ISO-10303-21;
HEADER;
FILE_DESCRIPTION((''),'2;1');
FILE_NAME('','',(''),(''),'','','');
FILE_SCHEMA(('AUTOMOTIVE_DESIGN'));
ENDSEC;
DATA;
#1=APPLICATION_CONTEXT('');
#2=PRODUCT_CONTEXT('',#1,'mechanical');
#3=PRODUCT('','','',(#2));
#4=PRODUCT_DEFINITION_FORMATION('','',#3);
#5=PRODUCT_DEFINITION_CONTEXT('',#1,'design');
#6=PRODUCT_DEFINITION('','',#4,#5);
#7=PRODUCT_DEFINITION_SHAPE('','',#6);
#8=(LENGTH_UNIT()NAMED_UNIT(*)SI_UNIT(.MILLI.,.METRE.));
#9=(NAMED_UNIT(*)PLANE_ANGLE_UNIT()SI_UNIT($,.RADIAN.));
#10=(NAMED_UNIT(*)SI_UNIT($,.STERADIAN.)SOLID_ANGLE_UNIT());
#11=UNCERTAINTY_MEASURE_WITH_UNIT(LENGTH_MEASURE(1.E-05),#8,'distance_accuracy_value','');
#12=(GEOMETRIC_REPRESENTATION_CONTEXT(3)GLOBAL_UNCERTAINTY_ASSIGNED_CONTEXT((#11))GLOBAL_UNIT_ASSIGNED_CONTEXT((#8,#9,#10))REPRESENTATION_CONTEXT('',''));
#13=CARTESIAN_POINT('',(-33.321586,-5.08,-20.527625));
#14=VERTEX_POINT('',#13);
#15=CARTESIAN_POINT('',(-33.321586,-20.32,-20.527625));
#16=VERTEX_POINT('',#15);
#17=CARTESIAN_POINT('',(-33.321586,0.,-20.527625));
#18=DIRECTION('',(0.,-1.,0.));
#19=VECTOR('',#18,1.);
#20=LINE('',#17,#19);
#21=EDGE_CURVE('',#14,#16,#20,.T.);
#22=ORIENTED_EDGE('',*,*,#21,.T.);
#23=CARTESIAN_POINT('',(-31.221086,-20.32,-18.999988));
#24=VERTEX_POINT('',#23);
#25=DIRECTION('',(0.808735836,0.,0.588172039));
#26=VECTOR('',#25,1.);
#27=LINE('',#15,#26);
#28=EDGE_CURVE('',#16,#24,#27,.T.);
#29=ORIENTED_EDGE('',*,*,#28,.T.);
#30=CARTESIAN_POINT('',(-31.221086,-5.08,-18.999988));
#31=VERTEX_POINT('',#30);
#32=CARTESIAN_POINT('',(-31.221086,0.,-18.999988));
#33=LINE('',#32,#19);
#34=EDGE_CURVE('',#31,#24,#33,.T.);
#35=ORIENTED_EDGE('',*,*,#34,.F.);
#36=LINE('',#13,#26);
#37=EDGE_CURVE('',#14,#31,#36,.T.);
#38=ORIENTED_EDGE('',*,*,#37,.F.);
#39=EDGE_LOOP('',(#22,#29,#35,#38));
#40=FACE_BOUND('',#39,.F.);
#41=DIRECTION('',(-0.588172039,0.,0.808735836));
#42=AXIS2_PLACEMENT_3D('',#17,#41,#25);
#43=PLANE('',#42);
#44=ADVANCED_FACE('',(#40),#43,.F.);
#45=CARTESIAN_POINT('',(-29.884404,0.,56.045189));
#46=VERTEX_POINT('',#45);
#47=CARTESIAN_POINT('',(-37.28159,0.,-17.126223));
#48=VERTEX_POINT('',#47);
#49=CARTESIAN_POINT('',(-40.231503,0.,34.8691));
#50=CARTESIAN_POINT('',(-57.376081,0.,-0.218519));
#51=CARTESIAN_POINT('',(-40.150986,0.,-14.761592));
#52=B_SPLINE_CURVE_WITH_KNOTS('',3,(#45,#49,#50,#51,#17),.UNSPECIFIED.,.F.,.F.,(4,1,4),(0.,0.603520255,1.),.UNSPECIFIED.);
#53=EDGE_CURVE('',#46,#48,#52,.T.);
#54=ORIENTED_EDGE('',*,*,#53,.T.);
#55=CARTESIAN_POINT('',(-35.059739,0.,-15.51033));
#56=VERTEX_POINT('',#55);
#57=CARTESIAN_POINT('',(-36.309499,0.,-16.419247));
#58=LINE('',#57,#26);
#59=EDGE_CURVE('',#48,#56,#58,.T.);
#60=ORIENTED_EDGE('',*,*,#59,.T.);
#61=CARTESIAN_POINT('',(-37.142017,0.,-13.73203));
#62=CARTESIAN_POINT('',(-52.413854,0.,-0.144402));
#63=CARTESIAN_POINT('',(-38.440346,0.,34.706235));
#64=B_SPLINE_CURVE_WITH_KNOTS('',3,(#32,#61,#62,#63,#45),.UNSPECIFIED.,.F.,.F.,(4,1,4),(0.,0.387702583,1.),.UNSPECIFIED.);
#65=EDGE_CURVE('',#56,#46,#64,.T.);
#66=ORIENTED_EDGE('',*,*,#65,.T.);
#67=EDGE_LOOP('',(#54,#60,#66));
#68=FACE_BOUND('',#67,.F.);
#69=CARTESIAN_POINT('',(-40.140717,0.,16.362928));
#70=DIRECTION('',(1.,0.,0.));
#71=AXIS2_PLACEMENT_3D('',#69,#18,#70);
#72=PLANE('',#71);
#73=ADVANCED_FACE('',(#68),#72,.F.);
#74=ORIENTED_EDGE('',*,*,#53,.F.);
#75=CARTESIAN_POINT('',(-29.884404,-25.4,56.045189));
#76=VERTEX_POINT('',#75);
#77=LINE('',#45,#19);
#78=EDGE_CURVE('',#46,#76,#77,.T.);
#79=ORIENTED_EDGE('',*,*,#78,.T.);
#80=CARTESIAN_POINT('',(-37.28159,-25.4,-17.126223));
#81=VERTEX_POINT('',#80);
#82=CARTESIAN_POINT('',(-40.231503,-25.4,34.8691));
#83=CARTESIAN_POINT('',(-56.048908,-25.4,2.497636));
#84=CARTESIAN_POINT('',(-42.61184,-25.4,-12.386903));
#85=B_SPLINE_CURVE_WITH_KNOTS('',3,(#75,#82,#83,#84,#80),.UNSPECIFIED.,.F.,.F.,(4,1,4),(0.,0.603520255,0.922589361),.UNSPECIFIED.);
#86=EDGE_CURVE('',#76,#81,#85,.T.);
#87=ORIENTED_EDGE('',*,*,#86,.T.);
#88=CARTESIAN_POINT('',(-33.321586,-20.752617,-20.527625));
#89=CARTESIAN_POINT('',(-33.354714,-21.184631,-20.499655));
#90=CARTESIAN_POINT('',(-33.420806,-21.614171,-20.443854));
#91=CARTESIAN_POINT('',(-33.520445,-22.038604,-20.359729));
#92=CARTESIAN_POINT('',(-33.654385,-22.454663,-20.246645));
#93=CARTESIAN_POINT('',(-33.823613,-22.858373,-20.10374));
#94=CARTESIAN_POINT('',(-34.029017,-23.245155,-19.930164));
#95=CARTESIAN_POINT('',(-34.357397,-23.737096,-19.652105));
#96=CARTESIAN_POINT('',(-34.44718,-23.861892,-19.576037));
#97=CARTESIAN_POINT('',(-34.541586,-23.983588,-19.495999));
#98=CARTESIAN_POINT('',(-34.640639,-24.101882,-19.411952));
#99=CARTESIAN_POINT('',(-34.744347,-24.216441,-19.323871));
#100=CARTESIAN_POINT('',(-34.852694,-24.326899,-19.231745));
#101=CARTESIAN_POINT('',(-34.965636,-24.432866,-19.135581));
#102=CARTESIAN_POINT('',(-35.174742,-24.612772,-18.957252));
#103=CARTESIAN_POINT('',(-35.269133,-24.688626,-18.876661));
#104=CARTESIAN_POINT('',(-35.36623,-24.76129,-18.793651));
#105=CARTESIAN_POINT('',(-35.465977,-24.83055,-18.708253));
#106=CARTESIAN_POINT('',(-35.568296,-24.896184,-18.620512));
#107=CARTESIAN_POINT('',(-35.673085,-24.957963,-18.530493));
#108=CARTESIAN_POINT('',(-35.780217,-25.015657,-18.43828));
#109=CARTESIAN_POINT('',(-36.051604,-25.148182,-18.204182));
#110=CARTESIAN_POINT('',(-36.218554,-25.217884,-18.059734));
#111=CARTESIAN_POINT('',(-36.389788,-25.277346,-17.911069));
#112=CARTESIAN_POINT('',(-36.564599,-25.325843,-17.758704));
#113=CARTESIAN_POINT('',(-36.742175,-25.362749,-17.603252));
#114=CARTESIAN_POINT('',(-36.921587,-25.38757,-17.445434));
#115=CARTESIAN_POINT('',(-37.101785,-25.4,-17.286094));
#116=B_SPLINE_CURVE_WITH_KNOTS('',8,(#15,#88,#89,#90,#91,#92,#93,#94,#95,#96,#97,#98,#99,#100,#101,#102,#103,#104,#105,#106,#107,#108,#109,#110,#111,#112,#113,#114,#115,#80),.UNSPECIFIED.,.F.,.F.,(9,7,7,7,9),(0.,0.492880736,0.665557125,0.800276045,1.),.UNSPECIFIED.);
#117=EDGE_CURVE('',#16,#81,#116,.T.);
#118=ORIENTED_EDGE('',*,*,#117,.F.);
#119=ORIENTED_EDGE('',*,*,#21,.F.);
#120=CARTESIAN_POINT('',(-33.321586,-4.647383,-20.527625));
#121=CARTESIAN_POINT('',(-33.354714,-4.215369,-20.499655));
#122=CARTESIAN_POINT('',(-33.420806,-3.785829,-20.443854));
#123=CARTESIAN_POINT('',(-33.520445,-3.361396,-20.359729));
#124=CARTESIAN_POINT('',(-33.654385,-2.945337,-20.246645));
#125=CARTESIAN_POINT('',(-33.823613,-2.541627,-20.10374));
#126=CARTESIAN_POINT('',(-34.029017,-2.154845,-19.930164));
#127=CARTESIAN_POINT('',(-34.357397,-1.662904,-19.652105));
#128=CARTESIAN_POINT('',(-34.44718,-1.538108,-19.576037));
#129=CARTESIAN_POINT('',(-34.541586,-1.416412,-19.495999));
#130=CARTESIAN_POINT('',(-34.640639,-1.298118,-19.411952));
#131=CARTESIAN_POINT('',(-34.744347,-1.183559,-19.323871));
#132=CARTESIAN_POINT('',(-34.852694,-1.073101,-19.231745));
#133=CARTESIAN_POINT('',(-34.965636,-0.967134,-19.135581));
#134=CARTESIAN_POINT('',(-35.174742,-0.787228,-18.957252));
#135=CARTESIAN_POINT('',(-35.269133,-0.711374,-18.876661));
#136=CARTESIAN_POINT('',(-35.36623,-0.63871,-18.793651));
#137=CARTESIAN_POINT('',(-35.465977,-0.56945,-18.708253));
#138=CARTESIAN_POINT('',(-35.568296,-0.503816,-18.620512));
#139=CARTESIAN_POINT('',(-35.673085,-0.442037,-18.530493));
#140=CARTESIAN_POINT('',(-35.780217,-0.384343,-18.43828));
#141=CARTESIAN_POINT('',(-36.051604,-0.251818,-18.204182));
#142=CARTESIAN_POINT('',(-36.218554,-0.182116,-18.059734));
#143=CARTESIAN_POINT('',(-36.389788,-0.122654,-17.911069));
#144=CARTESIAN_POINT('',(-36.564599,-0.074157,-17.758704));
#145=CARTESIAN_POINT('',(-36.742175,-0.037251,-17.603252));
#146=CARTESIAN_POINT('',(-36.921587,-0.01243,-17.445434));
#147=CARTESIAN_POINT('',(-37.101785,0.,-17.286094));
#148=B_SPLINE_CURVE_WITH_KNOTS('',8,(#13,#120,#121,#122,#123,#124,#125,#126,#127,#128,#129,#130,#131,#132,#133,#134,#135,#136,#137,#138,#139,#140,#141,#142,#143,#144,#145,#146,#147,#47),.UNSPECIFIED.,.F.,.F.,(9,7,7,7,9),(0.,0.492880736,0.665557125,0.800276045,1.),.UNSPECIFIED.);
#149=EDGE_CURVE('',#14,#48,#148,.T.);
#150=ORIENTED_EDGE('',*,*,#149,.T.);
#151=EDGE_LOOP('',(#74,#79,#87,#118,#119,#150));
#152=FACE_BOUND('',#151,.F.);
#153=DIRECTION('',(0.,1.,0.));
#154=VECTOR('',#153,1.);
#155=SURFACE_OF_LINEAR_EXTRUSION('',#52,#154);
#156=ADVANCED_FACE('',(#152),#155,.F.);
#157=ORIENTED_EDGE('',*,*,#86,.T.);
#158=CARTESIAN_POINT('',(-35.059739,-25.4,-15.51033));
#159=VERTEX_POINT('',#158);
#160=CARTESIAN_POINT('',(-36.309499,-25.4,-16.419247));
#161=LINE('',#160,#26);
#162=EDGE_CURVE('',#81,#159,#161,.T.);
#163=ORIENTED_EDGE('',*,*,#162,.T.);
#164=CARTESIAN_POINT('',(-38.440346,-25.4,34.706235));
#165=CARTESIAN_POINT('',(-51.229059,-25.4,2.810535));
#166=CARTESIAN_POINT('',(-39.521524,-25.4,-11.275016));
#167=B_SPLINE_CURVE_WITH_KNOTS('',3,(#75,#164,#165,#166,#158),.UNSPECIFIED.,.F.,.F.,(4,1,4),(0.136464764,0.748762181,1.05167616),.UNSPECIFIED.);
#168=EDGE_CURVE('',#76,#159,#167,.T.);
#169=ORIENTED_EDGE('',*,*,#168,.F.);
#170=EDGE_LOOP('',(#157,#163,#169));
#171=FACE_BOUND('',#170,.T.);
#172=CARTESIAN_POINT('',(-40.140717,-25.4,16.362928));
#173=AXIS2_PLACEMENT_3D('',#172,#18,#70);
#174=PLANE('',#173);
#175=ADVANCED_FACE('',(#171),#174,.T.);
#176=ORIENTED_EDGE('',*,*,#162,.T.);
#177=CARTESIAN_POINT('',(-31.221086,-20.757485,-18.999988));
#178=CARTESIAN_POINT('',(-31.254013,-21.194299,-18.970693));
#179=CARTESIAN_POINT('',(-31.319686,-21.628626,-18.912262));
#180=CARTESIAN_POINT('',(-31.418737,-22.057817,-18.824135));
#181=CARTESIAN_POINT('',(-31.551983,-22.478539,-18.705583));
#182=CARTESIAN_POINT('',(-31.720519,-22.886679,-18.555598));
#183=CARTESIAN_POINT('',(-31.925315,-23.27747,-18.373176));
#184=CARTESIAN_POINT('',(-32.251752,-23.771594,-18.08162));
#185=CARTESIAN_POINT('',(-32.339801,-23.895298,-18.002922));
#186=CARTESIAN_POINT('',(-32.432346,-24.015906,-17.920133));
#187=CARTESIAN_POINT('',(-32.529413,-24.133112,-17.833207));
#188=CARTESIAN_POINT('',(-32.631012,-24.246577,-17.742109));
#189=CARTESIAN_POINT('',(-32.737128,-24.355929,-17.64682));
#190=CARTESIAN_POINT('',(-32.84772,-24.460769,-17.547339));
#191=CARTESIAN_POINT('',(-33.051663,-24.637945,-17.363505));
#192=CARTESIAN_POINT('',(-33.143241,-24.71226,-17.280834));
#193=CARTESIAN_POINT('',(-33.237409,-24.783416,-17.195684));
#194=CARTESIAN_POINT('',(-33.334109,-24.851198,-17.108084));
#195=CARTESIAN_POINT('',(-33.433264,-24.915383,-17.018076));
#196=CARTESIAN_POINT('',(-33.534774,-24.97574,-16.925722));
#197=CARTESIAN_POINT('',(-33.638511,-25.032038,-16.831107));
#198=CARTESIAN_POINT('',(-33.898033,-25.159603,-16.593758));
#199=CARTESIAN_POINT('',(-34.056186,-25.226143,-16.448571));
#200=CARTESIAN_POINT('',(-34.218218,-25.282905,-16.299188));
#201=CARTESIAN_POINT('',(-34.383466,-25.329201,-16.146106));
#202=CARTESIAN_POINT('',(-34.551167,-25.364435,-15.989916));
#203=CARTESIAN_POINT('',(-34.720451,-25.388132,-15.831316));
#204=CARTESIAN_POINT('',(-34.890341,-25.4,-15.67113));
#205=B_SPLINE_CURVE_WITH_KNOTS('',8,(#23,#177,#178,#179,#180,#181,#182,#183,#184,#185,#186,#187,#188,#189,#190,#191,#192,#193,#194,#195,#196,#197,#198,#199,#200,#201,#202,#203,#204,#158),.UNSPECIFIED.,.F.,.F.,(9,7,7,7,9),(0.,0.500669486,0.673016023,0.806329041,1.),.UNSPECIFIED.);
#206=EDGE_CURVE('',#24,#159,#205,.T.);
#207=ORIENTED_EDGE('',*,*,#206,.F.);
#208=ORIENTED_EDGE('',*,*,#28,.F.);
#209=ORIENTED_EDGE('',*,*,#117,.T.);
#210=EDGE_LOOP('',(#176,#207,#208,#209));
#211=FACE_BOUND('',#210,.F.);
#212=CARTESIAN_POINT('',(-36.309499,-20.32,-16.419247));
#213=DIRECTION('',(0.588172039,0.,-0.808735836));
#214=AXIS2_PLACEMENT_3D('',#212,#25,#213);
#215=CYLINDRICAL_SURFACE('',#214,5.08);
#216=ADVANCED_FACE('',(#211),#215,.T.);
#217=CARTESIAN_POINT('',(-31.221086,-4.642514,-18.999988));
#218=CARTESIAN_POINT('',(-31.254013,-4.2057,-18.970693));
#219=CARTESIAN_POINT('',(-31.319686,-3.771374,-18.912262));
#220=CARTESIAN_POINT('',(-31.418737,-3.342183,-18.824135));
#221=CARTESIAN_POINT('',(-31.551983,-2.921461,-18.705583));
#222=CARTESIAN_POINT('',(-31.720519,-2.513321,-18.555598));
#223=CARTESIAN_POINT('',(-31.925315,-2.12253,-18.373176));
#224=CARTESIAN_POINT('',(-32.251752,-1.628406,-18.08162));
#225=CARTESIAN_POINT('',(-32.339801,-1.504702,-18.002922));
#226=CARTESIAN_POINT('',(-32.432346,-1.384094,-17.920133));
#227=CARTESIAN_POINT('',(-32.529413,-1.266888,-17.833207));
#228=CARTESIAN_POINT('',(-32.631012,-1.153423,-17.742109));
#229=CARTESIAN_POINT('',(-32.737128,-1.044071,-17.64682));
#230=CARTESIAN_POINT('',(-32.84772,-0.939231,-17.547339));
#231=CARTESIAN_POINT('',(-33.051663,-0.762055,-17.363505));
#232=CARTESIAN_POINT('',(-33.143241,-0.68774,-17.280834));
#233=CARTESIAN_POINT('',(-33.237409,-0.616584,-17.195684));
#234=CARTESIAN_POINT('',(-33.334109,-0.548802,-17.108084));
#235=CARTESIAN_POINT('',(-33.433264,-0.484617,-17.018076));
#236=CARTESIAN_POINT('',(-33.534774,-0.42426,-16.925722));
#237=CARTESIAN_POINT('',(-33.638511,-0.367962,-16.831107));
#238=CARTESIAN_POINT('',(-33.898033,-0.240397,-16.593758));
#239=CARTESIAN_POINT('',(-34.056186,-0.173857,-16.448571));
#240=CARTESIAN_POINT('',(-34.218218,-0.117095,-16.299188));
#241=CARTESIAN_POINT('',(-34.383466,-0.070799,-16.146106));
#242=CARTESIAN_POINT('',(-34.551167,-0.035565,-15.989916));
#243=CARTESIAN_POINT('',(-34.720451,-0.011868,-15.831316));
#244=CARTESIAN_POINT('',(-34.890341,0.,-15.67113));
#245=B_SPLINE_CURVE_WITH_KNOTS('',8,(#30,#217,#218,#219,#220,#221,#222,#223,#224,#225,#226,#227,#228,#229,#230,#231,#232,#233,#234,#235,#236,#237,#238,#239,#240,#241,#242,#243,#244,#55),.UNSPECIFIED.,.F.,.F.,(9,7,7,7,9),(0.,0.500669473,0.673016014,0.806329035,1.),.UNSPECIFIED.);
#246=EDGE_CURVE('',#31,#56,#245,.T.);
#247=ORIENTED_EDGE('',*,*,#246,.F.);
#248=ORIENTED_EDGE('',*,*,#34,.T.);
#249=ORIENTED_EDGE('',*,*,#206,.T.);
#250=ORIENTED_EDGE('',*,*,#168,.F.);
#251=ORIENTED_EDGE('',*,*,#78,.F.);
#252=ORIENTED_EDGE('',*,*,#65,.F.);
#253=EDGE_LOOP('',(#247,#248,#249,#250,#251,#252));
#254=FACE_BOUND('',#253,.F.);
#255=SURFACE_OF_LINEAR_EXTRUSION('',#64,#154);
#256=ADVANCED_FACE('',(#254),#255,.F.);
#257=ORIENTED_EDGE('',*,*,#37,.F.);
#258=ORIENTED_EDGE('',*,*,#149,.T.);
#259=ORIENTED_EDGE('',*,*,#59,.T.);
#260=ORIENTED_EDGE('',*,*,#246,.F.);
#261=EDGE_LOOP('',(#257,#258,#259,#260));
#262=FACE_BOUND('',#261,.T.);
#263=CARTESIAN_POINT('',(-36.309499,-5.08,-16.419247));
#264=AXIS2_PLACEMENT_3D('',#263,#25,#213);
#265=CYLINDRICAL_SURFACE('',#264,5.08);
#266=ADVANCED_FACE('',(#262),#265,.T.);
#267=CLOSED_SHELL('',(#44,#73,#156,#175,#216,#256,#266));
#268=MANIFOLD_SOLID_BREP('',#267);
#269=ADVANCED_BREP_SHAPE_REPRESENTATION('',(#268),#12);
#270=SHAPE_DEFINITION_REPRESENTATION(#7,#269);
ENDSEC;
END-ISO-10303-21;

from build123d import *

# Parameters (mm, degrees)
F1_DEPTH = 25.4
F2_R     = 5.08
F4_DEPTH = 19.05


with BuildPart() as f1:
    # F0 (on Front) → F1 (new body)
    with BuildSketch(Plane.XZ):
        with BuildLine():
            add(Edge.make_bspline(
                [(-31.2210861593, -18.9999882132), (-37.1420167425, -13.7320297606), (-52.4138535448, -0.1444018296), (-38.4403460871, 34.7062347556), (-29.8844035715, 56.0451894999)],
                knots=[0, 0, 0, 0, 0.3877025835, 1, 1, 1, 1], degree=3))
            add(Edge.make_bspline(
                [(-29.8844035715, 56.0451894999), (-40.2315032805, 34.8691003108), (-57.3760806559, -0.2185193917), (-40.1509864608, -14.7615918115), (-33.3215855062, -20.5276254565)],
                knots=[0, 0, 0, 0, 0.603520255, 1, 1, 1, 1], degree=3))
            Line((-33.3215855062, -20.5276254565), (-31.2210861593, -18.9999882132))
        make_face()
    extrude(amount=F1_DEPTH)

    # F2
    f2_edges = [f1.edges().sort_by_distance(p)[0] for p in [
        (-32.271336, 0, -19.763807),
        (-32.271336, -25.4, -19.763807),
    ]]
    fillet(f2_edges, radius=F2_R)

    # F3 (on face) → F4 (join)
    with BuildSketch(Plane.XZ.offset(25.4)):
        with BuildLine():
            Line((-37.2815900806, -17.1262230295), (-35.0597391764, -15.5103300302))
            add(Edge.make_bspline(
                [(-35.0597391764, -15.5103300302), (-35.820905502, -14.787798895), (-36.5649922945, -14.0528499794), (-37.2815900806, -13.2979150116)],
                knots=[0.0847886042, 0.0847886042, 0.0847886042, 0.0847886042, 0.1364647642, 0.1364647642, 0.1364647642, 0.1364647642], degree=3))
            Line((-37.2815900806, -13.2979150116), (-39.0489816205, -15.5103300302))
            add(Edge.make_bspline(
                [(-39.0489816205, -15.5103300302), (-38.4711466299, -16.0557129537), (-37.8806834298, -16.5935473371), (-37.2815900805, -17.1262230297)],
                knots=[0.8867275977, 0.8867275977, 0.8867275977, 0.8867275977, 0.9225893612, 0.9225893612, 0.9225893612, 0.9225893612], degree=3))
        make_face()
    extrude(amount=-F4_DEPTH)


solid = f1.part
